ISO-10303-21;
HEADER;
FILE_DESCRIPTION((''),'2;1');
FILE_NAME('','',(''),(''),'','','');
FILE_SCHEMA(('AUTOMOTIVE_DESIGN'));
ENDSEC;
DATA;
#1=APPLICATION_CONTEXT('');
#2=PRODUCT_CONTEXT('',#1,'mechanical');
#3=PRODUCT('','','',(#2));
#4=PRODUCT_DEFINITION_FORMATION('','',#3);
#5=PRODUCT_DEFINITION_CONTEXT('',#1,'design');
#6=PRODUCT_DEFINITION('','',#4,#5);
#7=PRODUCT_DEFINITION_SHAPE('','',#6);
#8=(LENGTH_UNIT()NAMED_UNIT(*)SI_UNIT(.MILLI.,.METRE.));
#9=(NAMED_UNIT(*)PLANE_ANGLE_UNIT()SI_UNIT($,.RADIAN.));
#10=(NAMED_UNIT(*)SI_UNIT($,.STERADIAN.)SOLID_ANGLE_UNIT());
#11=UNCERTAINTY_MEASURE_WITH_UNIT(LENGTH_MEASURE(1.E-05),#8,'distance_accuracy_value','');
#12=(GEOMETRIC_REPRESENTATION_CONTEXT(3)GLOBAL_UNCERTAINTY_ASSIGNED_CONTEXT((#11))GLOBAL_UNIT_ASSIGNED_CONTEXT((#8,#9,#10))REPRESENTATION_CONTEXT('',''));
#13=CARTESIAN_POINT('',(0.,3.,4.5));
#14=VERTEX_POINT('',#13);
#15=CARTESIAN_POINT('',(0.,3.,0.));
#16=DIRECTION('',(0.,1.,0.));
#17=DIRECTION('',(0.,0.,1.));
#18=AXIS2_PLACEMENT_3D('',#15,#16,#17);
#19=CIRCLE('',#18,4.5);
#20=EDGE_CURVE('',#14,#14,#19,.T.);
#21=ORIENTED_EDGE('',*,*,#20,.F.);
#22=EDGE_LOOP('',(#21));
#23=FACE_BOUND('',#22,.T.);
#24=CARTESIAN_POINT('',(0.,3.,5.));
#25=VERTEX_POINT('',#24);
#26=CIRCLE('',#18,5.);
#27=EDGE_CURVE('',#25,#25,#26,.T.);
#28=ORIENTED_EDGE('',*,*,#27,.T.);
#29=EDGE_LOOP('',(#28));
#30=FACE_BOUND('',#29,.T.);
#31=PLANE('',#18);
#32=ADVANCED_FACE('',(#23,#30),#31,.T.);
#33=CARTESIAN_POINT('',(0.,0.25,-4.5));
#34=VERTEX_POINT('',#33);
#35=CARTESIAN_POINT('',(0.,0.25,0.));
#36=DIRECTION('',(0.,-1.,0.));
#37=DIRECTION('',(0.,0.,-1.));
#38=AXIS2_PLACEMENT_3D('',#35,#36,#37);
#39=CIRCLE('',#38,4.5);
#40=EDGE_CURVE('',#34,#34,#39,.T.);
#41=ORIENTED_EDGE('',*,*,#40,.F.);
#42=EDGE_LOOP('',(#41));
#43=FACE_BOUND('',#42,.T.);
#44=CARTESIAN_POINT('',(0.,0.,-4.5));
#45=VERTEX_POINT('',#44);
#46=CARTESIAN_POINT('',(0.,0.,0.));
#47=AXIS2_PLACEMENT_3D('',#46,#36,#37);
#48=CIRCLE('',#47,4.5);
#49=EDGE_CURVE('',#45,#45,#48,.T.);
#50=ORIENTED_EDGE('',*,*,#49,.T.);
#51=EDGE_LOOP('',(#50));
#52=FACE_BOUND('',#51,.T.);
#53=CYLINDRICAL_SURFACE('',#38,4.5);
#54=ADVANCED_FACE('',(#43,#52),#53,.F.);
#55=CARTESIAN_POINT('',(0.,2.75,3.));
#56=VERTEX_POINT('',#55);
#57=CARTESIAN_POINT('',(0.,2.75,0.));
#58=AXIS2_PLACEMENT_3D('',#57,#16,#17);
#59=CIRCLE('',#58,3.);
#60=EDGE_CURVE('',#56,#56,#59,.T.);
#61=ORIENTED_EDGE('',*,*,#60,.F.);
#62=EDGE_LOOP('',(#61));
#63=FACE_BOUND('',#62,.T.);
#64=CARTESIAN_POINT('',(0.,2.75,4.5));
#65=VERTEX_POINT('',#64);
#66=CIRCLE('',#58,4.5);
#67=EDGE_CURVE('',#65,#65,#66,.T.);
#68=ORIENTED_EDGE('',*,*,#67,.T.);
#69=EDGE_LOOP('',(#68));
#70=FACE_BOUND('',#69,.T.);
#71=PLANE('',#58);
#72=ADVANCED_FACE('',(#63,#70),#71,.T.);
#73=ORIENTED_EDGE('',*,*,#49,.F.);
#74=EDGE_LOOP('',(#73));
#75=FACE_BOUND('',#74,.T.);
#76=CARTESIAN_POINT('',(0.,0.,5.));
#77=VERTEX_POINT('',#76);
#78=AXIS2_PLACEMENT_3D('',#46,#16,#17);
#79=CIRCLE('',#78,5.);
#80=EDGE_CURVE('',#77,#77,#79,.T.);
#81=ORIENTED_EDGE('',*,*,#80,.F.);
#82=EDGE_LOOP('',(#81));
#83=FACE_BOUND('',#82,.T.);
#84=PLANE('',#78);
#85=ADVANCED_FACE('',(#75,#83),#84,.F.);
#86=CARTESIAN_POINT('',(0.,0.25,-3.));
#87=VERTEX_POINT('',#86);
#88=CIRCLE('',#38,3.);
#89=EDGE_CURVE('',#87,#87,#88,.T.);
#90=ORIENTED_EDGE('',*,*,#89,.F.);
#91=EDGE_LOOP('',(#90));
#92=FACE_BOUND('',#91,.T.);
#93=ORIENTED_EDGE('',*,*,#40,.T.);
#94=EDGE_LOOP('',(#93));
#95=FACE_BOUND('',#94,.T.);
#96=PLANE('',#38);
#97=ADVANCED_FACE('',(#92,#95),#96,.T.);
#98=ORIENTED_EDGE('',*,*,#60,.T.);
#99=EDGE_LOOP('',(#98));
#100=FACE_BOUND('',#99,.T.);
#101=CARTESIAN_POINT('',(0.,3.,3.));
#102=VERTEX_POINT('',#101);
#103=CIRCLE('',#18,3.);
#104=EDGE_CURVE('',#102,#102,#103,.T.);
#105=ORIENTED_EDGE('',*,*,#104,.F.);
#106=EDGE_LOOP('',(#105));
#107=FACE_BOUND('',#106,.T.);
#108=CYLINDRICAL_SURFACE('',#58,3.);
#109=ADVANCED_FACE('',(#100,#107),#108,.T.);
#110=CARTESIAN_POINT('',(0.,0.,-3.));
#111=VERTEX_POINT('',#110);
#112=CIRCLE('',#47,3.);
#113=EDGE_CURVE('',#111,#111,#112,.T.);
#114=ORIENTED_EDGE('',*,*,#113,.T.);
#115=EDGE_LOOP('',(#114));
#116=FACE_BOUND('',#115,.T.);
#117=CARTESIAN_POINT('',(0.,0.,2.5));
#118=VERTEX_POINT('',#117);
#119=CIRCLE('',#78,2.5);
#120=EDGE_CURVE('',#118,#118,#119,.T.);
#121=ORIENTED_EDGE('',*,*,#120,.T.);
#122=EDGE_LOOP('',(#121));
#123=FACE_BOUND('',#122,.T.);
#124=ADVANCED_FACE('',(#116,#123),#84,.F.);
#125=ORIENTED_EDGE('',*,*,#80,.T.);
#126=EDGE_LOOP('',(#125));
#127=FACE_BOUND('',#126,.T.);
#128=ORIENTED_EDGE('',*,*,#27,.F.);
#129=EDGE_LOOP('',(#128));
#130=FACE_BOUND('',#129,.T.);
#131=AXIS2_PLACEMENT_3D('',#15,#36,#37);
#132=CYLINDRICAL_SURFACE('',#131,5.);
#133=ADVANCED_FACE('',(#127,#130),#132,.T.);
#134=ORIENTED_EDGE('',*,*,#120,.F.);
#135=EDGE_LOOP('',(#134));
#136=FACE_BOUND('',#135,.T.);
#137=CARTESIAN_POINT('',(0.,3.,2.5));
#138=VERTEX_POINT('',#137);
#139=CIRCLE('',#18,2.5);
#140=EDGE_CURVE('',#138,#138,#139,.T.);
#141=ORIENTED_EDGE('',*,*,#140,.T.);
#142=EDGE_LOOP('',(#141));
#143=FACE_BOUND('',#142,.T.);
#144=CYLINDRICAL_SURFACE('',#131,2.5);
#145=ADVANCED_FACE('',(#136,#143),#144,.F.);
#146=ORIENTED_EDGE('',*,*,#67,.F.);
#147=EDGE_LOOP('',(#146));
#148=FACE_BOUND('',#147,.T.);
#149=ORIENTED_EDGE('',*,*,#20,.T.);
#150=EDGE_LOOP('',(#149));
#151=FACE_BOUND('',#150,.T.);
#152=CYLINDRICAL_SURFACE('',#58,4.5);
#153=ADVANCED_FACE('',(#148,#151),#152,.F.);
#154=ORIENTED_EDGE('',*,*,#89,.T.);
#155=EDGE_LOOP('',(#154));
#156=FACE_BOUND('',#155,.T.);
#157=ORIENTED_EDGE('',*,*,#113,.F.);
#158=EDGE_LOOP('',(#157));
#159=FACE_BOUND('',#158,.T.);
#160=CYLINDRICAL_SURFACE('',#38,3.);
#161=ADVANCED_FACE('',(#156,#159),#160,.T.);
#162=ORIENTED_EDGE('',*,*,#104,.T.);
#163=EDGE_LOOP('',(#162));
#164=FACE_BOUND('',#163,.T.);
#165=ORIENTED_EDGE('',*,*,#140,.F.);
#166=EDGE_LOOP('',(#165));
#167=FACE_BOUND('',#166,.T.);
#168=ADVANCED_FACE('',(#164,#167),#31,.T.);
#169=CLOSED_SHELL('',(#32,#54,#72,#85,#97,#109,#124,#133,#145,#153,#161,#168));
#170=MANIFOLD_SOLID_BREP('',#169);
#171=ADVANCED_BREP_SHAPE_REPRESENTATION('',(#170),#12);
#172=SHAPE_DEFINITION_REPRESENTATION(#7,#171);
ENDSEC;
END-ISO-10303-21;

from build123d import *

# Parameters (mm, degrees)
SKETCH1_R           = 5
SKETCH1_R_2         = 2.5
BOSS_EXTRUDE1_DEPTH = 3
SKETCH2_R           = 4.5
SKETCH2_R_2         = 3
CUT_EXTRUDE1_DEPTH  = 0.25
CUT_EXTRUDE2_START  = -0.25
SKETCH3_R           = 4.5
SKETCH3_R_2         = 3
CUT_EXTRUDE2_DEPTH  = 0.25


with BuildPart() as part:
    # Sketch1 → Boss-Extrude1 (new body)
    with BuildSketch(Plane(origin=(0, 0, 0), x_dir=(1, 0, 0), z_dir=(0, 1, 0))):
        with Locations(Location((0, 0, 0), (0, 0, 270))):
            Circle(SKETCH1_R)
        with Locations(Location((0, 0, 0), (0, 0, 270))):
            Circle(SKETCH1_R_2, mode=Mode.SUBTRACT)
    extrude(amount=BOSS_EXTRUDE1_DEPTH)

    # Sketch2 → Cut-Extrude1 (cut)
    with BuildSketch(Plane.XZ):
        with Locations(Location((0, 0, 0), (0, 0, 270))):
            Circle(SKETCH2_R)
        with Locations(Location((0, 0, 0), (0, 0, 270))):
            Circle(SKETCH2_R_2, mode=Mode.SUBTRACT)
    extrude(amount=-CUT_EXTRUDE1_DEPTH, mode=Mode.SUBTRACT)

    # Sketch3 → Cut-Extrude2 (cut)
    with BuildSketch(Plane(origin=(0, 3, 0), x_dir=(1, 0, 0), z_dir=(0, 1, 0)).offset(CUT_EXTRUDE2_START)):
        with Locations(Location((0, 0, 0), (0, 0, 90))):
            Circle(SKETCH3_R)
        with Locations(Location((0, 0, 0), (0, 0, 90))):
            Circle(SKETCH3_R_2, mode=Mode.SUBTRACT)
    extrude(amount=CUT_EXTRUDE2_DEPTH, mode=Mode.SUBTRACT)


solid = part.part
